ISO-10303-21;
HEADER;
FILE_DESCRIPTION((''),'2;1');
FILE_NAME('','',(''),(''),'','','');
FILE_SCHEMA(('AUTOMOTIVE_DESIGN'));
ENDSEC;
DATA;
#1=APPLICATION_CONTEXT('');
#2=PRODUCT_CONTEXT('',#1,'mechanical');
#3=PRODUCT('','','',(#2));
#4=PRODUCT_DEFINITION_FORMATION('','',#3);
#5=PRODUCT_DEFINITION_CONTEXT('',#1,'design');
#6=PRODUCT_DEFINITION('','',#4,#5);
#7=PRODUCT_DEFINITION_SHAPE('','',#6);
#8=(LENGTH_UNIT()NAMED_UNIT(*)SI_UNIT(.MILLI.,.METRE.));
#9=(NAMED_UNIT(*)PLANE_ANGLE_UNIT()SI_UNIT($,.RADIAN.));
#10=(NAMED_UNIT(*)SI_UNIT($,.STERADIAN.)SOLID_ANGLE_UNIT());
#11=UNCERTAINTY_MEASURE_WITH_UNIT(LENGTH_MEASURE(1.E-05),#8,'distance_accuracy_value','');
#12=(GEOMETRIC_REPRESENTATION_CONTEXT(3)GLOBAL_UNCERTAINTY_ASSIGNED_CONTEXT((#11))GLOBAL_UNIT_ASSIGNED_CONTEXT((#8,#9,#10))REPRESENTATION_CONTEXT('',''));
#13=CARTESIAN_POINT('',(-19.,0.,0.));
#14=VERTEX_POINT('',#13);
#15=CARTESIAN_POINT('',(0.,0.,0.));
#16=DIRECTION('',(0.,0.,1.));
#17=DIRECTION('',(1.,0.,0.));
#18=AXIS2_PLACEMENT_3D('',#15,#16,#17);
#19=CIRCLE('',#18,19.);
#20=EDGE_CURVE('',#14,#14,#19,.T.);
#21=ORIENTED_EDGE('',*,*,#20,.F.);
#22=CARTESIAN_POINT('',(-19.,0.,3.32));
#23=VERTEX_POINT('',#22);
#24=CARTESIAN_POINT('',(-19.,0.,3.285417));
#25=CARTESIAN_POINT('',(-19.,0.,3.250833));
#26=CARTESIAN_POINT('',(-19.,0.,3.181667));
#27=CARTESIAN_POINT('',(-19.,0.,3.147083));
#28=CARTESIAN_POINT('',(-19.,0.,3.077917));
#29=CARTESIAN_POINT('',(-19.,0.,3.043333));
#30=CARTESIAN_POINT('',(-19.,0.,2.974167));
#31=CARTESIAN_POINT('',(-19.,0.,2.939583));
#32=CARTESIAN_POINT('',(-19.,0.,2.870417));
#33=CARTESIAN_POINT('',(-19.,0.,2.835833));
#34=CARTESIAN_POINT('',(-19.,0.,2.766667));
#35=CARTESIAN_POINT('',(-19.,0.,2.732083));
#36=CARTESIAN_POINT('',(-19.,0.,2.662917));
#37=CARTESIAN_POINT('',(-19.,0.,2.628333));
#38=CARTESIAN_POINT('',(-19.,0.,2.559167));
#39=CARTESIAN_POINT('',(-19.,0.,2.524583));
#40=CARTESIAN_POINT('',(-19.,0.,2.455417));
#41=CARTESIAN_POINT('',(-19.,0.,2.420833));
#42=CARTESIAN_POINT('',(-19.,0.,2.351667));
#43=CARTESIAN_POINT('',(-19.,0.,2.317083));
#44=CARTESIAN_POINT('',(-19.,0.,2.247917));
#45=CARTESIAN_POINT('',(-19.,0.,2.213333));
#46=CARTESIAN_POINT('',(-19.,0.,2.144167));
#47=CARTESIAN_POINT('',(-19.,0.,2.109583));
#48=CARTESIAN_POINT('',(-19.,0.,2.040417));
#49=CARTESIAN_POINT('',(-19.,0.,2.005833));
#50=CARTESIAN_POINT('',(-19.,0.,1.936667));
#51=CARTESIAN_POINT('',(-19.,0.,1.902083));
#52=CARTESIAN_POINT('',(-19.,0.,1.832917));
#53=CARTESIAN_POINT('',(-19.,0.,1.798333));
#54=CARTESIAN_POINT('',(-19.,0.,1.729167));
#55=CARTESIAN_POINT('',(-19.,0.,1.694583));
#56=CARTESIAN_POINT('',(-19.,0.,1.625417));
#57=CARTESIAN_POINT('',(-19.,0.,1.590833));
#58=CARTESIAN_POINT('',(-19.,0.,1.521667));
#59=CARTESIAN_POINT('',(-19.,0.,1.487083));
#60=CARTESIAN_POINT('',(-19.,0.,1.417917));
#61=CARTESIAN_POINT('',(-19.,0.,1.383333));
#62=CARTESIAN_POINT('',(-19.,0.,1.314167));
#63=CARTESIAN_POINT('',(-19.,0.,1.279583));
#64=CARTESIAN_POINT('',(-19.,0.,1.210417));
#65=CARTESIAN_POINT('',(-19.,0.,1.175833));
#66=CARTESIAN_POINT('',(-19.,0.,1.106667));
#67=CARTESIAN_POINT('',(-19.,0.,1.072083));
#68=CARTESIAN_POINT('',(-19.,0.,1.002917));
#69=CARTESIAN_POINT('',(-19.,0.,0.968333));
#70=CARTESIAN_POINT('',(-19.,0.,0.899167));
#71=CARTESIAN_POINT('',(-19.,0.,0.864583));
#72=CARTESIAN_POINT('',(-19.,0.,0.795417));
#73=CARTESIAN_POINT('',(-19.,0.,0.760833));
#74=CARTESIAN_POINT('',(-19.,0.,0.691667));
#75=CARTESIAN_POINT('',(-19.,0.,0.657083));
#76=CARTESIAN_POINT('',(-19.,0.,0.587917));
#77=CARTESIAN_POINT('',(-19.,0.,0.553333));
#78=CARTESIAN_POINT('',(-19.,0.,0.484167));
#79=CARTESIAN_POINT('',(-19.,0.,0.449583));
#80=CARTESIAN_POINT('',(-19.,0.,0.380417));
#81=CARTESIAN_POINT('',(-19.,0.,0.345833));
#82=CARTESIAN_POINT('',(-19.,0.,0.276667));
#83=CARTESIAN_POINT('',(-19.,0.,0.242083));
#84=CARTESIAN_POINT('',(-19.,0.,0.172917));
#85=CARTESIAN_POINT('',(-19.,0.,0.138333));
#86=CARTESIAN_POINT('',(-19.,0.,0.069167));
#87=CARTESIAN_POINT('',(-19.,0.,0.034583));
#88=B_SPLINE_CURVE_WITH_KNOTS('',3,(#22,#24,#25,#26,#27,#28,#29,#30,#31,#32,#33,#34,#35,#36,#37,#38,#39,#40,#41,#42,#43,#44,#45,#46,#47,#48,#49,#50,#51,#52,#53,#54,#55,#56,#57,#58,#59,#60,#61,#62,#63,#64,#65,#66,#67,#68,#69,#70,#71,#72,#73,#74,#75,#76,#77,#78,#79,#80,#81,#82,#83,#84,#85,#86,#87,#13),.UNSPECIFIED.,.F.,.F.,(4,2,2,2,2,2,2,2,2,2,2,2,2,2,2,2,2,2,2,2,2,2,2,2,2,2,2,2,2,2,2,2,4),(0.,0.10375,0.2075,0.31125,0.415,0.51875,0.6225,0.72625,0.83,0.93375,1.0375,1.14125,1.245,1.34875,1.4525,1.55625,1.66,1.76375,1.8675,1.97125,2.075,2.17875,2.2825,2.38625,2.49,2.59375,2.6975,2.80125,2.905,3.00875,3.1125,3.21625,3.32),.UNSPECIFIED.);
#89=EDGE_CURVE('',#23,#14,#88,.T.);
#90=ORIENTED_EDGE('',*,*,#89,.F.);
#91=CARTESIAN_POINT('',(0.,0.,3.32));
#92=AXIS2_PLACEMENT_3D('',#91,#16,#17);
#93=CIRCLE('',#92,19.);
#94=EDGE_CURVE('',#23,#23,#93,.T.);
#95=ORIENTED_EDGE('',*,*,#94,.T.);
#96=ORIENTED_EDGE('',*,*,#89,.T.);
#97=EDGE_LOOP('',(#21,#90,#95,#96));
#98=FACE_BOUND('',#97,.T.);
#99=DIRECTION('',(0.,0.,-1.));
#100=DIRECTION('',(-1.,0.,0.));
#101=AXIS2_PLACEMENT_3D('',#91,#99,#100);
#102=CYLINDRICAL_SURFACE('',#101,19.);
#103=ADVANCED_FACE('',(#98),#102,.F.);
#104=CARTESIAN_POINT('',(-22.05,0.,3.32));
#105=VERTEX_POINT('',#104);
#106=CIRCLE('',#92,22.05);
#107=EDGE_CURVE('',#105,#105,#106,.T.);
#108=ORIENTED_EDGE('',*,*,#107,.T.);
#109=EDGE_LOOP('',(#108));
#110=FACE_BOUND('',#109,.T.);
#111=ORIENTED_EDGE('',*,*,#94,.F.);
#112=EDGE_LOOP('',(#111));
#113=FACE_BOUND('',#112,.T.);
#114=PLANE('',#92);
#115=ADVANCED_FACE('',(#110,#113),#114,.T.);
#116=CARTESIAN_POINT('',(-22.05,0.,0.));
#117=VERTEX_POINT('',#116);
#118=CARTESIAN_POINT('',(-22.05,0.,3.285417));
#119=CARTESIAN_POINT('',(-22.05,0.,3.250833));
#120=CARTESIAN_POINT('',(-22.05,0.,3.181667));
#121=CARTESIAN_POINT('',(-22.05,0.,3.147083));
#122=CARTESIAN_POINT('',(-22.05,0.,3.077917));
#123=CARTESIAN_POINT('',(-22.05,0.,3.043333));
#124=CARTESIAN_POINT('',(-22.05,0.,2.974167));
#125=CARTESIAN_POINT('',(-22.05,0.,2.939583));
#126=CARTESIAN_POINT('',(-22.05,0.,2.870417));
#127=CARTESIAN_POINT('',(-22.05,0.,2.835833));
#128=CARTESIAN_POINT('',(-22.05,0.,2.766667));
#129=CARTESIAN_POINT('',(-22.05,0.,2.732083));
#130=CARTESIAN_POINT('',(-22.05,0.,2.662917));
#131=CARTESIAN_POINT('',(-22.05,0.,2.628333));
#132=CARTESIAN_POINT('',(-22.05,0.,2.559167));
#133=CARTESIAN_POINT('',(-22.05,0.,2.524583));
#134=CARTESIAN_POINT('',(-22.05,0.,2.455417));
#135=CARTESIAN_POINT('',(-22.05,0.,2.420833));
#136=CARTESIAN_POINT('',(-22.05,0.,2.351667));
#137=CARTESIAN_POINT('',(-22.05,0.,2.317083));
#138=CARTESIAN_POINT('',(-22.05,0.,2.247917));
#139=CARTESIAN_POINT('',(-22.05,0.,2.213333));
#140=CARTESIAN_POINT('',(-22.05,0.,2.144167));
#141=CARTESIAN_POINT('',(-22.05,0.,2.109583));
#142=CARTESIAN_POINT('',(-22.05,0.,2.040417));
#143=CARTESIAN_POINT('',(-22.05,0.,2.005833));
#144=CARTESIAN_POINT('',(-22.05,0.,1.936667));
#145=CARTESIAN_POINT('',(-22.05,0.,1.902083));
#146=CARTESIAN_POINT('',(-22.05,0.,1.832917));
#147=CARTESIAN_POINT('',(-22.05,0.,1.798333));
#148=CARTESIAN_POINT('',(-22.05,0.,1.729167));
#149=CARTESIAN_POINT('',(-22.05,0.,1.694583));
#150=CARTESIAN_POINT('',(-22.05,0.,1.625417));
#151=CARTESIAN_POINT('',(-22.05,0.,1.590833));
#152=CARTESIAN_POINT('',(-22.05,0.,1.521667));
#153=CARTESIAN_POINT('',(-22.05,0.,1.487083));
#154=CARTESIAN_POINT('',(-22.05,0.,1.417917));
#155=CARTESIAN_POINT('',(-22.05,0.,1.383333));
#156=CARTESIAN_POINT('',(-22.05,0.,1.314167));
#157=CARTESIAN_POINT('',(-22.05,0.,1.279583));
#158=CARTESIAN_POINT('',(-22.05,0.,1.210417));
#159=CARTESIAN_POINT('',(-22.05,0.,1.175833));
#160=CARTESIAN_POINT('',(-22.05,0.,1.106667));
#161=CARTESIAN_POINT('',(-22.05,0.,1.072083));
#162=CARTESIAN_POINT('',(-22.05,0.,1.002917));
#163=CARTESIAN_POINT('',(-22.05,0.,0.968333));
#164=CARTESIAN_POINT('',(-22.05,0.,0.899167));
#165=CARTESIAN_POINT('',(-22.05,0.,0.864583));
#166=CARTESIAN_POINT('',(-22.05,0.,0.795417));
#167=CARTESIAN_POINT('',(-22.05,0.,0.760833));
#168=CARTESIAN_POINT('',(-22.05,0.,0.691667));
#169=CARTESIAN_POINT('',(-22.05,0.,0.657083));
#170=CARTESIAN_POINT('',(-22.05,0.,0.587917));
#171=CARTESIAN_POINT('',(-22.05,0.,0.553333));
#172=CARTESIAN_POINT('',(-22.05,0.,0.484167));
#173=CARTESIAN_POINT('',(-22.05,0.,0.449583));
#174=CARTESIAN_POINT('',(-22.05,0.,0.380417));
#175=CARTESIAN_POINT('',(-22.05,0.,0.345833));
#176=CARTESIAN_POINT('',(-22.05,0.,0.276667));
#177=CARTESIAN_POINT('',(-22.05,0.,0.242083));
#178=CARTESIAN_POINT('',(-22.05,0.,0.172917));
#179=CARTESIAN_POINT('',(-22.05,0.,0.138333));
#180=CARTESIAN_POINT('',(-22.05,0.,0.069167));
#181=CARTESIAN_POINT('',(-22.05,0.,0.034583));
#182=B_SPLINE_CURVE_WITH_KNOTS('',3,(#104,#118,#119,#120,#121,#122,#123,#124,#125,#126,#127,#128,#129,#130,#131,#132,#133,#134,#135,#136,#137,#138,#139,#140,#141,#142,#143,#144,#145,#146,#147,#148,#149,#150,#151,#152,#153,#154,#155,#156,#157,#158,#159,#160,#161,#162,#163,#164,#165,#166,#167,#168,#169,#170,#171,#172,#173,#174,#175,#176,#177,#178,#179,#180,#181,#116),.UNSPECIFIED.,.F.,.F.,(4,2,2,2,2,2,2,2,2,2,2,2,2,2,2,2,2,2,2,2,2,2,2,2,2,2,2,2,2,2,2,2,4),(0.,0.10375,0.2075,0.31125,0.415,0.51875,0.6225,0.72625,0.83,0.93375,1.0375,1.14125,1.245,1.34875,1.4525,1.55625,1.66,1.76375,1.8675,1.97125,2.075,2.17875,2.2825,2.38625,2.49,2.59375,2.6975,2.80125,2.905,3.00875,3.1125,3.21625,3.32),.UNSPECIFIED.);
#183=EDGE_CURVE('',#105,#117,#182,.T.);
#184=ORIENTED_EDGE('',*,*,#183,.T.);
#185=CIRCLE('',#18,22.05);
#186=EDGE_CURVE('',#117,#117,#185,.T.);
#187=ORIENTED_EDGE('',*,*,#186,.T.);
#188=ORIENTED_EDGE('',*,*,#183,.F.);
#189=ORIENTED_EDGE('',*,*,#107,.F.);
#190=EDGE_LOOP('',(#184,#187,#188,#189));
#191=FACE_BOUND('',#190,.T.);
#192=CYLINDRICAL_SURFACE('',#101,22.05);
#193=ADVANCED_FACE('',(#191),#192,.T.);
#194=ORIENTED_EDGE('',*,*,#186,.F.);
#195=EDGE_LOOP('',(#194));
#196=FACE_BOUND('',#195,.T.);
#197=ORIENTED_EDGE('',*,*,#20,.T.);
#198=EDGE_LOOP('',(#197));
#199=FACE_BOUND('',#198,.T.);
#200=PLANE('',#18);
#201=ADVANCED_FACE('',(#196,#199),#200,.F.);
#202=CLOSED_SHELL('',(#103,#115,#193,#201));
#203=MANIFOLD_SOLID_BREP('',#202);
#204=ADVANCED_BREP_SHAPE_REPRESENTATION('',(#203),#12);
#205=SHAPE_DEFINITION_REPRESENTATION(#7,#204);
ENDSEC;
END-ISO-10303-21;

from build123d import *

# Parameters (mm, degrees)
SKETCH1_R           = 22.05
SKETCH1_R_2         = 19
BOSS_EXTRUDE1_DEPTH = 3.32


with BuildPart() as part:
    # Sketch1 → Boss-Extrude1 (new body)
    with BuildSketch(Plane.XY):
        with Locations(Location((0, 0, 0), (0, 0, 180))):
            Circle(SKETCH1_R)
        with Locations(Location((0, 0, 0), (0, 0, 180))):
            Circle(SKETCH1_R_2, mode=Mode.SUBTRACT)
    extrude(amount=BOSS_EXTRUDE1_DEPTH)


solid = part.part
